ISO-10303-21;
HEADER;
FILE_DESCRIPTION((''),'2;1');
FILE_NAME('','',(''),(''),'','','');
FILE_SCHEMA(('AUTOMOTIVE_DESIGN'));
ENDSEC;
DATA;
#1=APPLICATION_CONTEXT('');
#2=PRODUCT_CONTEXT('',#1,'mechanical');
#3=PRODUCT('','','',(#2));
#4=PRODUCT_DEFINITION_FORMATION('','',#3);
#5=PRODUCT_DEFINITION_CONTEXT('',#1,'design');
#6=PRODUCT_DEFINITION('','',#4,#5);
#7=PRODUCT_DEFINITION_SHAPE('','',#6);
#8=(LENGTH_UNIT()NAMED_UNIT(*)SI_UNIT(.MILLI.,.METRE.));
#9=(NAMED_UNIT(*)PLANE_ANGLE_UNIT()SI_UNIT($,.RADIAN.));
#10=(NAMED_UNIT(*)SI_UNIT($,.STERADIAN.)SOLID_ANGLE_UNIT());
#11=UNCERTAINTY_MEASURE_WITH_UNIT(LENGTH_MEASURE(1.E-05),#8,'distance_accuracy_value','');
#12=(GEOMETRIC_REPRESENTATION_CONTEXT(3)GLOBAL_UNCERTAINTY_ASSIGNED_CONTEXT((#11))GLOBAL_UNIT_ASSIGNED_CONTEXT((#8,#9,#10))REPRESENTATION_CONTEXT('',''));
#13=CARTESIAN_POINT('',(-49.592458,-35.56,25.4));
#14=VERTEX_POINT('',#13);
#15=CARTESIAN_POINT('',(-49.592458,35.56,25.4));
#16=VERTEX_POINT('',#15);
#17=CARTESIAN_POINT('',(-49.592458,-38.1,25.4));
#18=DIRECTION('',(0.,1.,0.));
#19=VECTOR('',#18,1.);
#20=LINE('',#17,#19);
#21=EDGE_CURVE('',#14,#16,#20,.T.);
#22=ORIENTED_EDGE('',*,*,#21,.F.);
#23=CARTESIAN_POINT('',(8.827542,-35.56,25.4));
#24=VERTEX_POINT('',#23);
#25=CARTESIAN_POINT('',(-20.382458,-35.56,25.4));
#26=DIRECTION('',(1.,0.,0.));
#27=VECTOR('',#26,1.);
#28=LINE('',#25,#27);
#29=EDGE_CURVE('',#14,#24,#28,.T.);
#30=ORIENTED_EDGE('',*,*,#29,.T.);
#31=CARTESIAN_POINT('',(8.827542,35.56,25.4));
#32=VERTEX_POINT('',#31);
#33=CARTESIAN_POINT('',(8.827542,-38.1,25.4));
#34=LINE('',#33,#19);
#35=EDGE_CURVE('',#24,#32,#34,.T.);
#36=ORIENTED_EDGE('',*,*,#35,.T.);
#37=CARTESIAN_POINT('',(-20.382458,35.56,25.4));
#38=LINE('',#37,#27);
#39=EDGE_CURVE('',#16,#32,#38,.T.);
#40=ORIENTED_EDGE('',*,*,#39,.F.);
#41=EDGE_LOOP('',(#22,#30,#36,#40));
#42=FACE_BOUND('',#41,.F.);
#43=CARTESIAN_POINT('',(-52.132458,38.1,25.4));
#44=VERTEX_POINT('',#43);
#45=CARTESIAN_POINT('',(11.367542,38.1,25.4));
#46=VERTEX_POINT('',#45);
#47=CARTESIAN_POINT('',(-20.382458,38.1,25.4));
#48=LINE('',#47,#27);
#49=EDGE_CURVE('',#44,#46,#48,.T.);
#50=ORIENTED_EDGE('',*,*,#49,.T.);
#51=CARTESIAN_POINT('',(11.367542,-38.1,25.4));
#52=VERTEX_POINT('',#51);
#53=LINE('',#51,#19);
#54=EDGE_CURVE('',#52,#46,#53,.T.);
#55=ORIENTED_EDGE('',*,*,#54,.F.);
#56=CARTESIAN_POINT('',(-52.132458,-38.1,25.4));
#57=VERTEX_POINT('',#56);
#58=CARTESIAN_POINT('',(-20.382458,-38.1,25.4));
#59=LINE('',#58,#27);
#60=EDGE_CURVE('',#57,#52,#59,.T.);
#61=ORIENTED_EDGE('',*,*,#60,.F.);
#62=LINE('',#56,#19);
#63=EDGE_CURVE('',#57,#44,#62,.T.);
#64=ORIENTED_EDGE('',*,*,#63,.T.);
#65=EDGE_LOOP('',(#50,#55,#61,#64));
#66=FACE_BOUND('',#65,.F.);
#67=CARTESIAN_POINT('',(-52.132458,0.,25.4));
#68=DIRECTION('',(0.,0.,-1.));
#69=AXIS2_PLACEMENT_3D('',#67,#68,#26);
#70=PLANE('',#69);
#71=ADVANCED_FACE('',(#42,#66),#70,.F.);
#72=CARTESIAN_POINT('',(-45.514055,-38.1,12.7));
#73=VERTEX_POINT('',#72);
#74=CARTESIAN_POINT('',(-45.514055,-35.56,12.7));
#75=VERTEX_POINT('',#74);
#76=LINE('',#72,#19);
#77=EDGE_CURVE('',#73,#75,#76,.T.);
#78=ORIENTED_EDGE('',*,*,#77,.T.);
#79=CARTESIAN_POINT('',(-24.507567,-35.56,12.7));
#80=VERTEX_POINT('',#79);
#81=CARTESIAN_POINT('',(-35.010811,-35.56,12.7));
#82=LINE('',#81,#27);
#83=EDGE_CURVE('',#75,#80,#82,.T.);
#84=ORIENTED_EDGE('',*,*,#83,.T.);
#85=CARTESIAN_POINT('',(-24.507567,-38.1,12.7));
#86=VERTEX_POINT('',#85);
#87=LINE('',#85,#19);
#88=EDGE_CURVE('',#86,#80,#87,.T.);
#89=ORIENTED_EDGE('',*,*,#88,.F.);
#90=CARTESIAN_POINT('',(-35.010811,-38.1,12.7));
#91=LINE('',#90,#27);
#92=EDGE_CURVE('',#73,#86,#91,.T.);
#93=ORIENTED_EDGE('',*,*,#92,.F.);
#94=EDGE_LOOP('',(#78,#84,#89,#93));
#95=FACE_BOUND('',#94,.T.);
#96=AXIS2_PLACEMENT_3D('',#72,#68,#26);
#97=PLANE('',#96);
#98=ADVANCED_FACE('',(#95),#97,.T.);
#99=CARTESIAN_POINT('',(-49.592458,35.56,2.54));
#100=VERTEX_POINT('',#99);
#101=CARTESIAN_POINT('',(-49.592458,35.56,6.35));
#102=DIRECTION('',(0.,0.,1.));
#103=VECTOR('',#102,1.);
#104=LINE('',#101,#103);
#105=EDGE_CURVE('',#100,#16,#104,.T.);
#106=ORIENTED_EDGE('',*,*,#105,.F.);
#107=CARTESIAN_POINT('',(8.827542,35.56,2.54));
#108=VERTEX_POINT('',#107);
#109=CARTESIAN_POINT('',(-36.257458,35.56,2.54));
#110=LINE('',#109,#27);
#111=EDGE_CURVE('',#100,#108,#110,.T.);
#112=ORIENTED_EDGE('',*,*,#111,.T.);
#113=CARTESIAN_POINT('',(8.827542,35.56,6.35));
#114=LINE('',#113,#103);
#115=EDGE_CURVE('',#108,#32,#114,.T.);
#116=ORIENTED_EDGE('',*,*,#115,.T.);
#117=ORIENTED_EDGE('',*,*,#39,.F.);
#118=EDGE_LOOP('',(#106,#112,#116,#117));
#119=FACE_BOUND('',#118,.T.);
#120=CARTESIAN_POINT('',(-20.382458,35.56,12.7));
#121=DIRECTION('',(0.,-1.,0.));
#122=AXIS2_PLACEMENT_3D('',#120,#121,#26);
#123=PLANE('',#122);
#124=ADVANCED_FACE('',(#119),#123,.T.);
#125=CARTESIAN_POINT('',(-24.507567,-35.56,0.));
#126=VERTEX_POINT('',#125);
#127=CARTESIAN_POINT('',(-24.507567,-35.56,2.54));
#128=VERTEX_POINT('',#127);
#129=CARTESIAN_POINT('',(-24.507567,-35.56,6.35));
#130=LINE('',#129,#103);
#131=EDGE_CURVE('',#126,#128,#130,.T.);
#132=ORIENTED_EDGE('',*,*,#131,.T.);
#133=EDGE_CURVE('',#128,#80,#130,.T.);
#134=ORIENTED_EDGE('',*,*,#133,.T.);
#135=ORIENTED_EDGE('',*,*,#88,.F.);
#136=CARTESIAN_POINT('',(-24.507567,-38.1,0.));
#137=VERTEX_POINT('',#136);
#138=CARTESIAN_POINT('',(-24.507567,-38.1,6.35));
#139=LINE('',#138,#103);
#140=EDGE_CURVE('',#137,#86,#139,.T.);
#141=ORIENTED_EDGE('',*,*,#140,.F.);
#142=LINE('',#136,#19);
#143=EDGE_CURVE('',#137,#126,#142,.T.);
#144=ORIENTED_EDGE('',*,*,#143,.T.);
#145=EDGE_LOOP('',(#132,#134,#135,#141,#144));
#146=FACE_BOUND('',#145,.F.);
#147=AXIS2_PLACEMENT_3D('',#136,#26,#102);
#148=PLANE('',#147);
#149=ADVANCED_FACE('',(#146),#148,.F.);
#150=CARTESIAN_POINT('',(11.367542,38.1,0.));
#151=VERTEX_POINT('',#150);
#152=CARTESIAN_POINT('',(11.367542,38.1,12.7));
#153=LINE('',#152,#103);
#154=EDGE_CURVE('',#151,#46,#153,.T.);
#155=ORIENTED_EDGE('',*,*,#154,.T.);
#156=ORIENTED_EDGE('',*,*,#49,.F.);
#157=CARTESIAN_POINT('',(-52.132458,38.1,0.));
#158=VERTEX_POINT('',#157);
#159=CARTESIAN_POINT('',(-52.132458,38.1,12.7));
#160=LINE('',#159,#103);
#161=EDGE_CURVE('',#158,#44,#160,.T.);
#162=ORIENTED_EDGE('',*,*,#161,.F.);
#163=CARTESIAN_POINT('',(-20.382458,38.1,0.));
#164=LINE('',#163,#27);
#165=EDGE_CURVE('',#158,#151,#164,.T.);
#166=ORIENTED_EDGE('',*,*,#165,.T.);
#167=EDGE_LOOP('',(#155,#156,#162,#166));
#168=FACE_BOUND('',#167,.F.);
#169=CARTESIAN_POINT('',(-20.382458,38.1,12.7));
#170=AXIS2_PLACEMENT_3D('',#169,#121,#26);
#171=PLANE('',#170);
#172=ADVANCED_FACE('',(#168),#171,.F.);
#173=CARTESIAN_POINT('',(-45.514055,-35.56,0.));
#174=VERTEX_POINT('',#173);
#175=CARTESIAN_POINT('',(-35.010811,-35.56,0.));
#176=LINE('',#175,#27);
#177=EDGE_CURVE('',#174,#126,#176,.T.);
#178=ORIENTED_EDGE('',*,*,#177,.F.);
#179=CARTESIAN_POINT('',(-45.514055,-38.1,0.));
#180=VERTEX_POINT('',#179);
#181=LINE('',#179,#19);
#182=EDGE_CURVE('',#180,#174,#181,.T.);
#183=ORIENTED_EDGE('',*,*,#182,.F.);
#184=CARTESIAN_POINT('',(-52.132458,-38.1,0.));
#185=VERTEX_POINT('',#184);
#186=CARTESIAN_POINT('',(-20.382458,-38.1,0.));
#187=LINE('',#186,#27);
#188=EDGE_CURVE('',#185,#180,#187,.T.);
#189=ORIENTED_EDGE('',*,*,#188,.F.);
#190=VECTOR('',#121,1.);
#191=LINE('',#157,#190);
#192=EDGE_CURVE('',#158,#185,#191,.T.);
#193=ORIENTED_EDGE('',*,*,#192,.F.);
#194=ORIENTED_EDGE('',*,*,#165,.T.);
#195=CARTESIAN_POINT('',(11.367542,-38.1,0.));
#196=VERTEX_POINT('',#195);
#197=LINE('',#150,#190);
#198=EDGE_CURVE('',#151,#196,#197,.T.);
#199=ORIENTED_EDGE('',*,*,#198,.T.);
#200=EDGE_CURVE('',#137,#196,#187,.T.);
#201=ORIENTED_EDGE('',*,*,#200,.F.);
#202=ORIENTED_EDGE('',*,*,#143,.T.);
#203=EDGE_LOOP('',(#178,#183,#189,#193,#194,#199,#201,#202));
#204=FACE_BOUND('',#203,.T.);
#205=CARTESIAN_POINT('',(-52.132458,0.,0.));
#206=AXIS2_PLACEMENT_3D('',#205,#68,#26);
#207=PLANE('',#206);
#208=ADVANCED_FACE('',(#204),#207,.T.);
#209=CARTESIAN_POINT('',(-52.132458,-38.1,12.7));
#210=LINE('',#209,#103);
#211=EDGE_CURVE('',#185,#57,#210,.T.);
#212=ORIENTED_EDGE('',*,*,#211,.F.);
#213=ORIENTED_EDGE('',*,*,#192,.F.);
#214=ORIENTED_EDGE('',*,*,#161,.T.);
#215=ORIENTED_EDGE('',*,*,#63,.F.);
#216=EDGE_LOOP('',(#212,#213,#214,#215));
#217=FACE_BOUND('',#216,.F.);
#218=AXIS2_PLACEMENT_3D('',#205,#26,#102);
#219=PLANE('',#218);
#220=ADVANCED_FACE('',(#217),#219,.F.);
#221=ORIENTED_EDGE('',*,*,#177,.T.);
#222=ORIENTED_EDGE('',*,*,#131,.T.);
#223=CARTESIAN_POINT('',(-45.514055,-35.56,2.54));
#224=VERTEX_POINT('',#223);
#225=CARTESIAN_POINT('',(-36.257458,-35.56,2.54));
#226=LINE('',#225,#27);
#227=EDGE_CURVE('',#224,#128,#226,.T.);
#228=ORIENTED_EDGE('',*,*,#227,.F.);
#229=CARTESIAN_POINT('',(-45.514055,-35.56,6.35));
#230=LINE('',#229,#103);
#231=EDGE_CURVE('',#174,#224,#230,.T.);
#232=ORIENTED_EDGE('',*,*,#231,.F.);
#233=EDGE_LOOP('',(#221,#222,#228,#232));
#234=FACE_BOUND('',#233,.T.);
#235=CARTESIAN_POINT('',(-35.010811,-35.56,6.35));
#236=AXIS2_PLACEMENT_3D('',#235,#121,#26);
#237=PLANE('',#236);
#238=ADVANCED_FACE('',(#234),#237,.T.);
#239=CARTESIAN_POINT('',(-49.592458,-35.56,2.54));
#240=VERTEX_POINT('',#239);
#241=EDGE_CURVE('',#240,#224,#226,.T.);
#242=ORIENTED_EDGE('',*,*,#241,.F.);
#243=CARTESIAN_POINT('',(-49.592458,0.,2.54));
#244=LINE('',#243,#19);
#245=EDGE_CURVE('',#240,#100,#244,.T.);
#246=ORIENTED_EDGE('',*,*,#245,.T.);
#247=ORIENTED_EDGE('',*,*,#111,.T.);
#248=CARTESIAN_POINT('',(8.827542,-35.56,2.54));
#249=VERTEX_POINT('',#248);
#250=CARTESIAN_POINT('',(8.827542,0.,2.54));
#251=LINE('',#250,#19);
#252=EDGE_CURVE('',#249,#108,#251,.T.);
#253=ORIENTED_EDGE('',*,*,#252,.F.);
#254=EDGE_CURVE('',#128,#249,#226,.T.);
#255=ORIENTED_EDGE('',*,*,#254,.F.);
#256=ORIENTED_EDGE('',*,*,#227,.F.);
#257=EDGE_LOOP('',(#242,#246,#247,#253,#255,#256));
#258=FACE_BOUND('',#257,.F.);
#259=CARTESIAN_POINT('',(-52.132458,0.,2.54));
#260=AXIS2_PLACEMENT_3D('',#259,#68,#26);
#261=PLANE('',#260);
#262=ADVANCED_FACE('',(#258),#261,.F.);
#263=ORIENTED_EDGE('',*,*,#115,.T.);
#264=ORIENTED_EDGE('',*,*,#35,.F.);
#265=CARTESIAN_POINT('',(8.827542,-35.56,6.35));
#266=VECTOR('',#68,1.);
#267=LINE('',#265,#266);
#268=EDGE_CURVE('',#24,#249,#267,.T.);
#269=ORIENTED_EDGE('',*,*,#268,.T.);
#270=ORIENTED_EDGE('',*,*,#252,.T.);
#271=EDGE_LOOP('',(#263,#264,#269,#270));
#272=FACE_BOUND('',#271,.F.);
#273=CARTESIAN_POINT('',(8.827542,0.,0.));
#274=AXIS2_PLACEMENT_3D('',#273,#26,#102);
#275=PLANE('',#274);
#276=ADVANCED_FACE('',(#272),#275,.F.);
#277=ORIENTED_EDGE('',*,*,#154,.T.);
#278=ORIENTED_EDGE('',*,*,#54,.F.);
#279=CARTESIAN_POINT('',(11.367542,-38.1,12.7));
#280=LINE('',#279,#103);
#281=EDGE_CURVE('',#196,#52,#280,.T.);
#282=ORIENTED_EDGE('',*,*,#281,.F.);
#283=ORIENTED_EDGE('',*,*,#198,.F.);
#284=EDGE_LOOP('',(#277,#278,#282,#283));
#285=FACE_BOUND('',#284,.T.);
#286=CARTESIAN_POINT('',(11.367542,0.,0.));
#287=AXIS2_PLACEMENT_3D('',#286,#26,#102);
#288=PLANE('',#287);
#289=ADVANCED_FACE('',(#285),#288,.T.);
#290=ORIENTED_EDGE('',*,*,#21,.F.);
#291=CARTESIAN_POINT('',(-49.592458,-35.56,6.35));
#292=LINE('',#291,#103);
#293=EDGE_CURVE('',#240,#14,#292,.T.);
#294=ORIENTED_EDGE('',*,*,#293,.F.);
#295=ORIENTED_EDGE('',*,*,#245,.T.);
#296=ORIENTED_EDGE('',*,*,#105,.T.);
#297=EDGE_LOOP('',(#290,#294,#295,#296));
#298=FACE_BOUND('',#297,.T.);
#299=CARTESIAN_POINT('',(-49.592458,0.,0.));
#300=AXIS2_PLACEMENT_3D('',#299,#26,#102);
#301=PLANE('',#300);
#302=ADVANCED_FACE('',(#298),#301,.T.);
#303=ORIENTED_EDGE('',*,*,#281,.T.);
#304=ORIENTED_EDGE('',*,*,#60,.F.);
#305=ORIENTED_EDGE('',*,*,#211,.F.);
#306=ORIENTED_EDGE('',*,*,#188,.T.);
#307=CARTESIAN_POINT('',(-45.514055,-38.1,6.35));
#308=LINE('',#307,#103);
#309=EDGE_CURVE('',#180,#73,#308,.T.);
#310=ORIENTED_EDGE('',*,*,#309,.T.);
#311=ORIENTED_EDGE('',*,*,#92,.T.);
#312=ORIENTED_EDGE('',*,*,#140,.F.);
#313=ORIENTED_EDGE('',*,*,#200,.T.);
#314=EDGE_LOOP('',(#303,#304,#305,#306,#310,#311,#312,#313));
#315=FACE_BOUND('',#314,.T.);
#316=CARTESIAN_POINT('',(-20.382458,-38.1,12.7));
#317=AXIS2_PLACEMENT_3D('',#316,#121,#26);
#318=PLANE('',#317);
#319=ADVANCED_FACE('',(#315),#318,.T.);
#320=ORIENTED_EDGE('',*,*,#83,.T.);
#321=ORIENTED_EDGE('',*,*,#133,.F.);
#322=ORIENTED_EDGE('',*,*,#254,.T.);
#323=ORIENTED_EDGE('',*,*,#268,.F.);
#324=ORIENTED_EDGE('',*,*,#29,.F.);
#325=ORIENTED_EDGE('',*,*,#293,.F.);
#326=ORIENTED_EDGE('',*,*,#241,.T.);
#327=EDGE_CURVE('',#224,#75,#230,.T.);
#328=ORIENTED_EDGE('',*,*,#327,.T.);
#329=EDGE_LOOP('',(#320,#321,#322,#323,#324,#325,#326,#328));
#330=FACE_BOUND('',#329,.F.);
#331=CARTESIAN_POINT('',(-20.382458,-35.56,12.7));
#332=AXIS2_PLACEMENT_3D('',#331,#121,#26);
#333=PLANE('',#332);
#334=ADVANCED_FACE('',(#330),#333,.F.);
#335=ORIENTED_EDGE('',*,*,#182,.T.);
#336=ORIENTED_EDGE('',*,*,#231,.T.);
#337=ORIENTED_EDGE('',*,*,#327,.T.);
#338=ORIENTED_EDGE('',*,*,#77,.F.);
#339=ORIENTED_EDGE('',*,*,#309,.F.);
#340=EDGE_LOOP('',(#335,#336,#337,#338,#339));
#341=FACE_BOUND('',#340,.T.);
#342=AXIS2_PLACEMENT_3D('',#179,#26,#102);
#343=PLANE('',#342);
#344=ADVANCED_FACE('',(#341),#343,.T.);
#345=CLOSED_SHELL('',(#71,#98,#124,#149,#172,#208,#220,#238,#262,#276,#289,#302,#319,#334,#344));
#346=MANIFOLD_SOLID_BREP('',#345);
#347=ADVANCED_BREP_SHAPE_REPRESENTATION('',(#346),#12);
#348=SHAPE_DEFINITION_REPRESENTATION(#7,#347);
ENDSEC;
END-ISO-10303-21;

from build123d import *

# Parameters (mm, degrees)
F0_W     = 63.5
F0_H     = 25.4
F1_DEPTH = 38.1
F2_T     = -2.54
F3_W     = 21.006488
F3_H     = 12.7
F4_DEPTH = 2.54


with BuildPart() as f1:
    # F0 (on Front) → F1 (new body, symmetric)
    with BuildSketch(Plane.XZ):
        with Locations((-20.382458, 12.7)):
            Rectangle(F0_W, F0_H)
    extrude(amount=F1_DEPTH, both=True)

    # F2
    f2_openings = [f1.faces().sort_by_distance(p)[0] for p in [
        (-20.382458, 0, 25.4),
    ]]
    offset(amount=F2_T, openings=f2_openings)

    # F3 (on face) → F4 (cut)
    with BuildSketch(Plane.XZ.offset(38.1)):
        with Locations((-35.010811, 6.35)):
            Rectangle(F3_W, F3_H)
    extrude(amount=-F4_DEPTH, mode=Mode.SUBTRACT)


solid = f1.part
